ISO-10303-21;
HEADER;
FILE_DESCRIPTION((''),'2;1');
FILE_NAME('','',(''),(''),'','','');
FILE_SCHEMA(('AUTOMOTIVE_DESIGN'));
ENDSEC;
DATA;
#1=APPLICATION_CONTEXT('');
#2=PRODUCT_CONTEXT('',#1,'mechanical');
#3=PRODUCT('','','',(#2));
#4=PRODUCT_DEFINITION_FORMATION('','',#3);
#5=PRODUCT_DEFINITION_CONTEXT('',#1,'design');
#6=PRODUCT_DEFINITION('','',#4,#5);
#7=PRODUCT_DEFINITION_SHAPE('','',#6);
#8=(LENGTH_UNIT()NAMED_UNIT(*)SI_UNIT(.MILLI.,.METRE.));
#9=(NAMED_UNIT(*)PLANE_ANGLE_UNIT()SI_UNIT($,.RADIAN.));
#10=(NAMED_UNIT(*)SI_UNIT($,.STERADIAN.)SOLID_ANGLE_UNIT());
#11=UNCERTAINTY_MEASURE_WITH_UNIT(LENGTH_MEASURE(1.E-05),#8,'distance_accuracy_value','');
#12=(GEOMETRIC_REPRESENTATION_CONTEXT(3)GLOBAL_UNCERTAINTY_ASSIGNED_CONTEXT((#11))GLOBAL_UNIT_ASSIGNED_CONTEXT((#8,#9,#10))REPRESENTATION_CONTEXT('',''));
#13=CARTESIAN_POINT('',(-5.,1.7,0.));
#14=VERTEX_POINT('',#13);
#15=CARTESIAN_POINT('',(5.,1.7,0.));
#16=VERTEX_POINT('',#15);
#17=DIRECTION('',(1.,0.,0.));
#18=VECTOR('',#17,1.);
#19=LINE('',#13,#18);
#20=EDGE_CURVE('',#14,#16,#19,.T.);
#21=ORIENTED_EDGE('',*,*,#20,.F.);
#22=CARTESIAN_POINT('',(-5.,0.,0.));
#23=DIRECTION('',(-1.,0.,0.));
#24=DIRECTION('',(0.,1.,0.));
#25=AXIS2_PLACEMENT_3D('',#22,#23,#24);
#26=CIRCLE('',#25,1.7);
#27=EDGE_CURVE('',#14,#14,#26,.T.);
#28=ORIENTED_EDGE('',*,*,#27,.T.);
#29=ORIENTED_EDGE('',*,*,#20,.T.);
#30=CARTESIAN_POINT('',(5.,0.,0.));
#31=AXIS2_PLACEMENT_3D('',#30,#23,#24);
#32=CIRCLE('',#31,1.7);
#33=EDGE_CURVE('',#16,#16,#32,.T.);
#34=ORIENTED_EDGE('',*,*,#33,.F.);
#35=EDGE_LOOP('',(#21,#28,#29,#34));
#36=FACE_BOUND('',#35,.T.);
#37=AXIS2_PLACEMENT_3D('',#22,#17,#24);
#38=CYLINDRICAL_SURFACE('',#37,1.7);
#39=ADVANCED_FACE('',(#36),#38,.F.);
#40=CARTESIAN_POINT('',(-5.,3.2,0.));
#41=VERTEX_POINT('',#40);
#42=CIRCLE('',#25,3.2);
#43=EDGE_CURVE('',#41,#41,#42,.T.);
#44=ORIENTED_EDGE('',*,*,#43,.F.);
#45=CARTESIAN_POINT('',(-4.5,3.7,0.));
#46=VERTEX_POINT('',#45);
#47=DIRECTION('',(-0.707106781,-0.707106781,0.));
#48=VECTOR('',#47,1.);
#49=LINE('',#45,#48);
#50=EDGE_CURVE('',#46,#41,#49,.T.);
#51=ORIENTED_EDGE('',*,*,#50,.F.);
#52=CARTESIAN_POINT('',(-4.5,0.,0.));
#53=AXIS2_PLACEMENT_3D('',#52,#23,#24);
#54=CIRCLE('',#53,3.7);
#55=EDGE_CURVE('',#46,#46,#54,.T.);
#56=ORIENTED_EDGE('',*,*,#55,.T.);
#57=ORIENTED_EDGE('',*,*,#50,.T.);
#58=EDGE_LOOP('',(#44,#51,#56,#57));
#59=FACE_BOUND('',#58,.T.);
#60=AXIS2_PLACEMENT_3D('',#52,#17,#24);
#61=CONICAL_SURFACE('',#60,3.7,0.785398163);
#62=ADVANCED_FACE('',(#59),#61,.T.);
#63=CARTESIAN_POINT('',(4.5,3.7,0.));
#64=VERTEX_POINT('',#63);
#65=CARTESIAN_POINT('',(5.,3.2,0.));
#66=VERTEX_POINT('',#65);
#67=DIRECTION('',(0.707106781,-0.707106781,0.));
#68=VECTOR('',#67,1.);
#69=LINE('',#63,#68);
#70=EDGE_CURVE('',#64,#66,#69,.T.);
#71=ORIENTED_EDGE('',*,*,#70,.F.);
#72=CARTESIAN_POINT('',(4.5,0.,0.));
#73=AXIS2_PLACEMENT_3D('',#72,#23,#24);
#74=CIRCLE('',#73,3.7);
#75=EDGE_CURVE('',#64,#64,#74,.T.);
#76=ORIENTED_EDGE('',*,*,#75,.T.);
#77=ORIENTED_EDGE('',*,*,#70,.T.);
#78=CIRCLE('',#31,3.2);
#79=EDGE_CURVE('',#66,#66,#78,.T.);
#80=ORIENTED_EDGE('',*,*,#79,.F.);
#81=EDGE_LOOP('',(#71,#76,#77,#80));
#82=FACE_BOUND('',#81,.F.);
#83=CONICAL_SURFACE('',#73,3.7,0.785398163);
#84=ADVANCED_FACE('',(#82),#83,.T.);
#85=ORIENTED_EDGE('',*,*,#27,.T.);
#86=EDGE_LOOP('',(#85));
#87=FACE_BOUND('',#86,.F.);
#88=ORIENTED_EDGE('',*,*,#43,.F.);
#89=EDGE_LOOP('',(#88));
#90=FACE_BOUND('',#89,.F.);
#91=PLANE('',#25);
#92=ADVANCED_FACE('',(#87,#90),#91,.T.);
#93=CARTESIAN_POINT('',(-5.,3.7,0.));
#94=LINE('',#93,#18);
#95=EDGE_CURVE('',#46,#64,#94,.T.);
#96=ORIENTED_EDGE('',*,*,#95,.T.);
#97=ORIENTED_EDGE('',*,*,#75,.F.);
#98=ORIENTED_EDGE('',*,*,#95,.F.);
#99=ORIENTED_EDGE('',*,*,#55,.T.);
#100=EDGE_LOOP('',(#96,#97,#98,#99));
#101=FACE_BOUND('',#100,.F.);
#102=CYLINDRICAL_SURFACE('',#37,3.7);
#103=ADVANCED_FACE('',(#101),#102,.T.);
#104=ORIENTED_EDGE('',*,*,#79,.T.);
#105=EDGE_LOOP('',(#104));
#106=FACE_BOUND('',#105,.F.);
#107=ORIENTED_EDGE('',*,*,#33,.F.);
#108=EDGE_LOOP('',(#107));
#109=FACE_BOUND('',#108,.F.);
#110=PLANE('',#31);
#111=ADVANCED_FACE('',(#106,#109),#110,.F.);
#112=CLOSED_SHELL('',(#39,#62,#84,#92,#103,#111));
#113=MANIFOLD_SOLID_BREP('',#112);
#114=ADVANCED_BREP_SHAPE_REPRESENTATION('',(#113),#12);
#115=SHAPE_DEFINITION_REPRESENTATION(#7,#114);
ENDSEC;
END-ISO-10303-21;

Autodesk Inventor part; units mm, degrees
ref_plane "YZ Plane" through (0, 0, 0) normal (1, 0, 0) x (0, 1, 0)
ref_plane "XZ Plane" through (0, 0, 0) normal (0, 1, 0) x (-1, 0, 0)
ref_plane "XY Plane" through (0, 0, 0) normal (0, 0, 1) x (1, 0, 0)
sketch "Sketch1" plane through (0, 0, 0) normal (0, 0, 1) x (1, 0, 0)
  line L0 (-5, 3.7) -> (5, 3.7)
  line L1 (5, 3.7) -> (5, 1.7)
  line L2 (5, 0) -> (-5, 0)
  line L3 (-5, 0) -> (-5, 1.7) construction
  line L4 (-5, 1.7) -> (5, 1.7)
  line L5 (-5, 1.7) -> (-5, 3.7)
  line L6 (5, 1.7) -> (5, 0) construction
  point P0 (0, 0)
  point P1 (0, 0)
  dimension "d0" = 7.4
  dimension "d1" = 3.4
  dimension "d2" = 10
revolve "Revolution1" add sketch "Sketch1" angle 360 about axis through (5, 0, 0) along (-1, 0, 0)
chamfer "Chamfer1" distance 0.5 angle 45 2 edges at (5, -3.7, 0) (-5, -3.7, 0)
properties part number "Roller" material "Steel"
